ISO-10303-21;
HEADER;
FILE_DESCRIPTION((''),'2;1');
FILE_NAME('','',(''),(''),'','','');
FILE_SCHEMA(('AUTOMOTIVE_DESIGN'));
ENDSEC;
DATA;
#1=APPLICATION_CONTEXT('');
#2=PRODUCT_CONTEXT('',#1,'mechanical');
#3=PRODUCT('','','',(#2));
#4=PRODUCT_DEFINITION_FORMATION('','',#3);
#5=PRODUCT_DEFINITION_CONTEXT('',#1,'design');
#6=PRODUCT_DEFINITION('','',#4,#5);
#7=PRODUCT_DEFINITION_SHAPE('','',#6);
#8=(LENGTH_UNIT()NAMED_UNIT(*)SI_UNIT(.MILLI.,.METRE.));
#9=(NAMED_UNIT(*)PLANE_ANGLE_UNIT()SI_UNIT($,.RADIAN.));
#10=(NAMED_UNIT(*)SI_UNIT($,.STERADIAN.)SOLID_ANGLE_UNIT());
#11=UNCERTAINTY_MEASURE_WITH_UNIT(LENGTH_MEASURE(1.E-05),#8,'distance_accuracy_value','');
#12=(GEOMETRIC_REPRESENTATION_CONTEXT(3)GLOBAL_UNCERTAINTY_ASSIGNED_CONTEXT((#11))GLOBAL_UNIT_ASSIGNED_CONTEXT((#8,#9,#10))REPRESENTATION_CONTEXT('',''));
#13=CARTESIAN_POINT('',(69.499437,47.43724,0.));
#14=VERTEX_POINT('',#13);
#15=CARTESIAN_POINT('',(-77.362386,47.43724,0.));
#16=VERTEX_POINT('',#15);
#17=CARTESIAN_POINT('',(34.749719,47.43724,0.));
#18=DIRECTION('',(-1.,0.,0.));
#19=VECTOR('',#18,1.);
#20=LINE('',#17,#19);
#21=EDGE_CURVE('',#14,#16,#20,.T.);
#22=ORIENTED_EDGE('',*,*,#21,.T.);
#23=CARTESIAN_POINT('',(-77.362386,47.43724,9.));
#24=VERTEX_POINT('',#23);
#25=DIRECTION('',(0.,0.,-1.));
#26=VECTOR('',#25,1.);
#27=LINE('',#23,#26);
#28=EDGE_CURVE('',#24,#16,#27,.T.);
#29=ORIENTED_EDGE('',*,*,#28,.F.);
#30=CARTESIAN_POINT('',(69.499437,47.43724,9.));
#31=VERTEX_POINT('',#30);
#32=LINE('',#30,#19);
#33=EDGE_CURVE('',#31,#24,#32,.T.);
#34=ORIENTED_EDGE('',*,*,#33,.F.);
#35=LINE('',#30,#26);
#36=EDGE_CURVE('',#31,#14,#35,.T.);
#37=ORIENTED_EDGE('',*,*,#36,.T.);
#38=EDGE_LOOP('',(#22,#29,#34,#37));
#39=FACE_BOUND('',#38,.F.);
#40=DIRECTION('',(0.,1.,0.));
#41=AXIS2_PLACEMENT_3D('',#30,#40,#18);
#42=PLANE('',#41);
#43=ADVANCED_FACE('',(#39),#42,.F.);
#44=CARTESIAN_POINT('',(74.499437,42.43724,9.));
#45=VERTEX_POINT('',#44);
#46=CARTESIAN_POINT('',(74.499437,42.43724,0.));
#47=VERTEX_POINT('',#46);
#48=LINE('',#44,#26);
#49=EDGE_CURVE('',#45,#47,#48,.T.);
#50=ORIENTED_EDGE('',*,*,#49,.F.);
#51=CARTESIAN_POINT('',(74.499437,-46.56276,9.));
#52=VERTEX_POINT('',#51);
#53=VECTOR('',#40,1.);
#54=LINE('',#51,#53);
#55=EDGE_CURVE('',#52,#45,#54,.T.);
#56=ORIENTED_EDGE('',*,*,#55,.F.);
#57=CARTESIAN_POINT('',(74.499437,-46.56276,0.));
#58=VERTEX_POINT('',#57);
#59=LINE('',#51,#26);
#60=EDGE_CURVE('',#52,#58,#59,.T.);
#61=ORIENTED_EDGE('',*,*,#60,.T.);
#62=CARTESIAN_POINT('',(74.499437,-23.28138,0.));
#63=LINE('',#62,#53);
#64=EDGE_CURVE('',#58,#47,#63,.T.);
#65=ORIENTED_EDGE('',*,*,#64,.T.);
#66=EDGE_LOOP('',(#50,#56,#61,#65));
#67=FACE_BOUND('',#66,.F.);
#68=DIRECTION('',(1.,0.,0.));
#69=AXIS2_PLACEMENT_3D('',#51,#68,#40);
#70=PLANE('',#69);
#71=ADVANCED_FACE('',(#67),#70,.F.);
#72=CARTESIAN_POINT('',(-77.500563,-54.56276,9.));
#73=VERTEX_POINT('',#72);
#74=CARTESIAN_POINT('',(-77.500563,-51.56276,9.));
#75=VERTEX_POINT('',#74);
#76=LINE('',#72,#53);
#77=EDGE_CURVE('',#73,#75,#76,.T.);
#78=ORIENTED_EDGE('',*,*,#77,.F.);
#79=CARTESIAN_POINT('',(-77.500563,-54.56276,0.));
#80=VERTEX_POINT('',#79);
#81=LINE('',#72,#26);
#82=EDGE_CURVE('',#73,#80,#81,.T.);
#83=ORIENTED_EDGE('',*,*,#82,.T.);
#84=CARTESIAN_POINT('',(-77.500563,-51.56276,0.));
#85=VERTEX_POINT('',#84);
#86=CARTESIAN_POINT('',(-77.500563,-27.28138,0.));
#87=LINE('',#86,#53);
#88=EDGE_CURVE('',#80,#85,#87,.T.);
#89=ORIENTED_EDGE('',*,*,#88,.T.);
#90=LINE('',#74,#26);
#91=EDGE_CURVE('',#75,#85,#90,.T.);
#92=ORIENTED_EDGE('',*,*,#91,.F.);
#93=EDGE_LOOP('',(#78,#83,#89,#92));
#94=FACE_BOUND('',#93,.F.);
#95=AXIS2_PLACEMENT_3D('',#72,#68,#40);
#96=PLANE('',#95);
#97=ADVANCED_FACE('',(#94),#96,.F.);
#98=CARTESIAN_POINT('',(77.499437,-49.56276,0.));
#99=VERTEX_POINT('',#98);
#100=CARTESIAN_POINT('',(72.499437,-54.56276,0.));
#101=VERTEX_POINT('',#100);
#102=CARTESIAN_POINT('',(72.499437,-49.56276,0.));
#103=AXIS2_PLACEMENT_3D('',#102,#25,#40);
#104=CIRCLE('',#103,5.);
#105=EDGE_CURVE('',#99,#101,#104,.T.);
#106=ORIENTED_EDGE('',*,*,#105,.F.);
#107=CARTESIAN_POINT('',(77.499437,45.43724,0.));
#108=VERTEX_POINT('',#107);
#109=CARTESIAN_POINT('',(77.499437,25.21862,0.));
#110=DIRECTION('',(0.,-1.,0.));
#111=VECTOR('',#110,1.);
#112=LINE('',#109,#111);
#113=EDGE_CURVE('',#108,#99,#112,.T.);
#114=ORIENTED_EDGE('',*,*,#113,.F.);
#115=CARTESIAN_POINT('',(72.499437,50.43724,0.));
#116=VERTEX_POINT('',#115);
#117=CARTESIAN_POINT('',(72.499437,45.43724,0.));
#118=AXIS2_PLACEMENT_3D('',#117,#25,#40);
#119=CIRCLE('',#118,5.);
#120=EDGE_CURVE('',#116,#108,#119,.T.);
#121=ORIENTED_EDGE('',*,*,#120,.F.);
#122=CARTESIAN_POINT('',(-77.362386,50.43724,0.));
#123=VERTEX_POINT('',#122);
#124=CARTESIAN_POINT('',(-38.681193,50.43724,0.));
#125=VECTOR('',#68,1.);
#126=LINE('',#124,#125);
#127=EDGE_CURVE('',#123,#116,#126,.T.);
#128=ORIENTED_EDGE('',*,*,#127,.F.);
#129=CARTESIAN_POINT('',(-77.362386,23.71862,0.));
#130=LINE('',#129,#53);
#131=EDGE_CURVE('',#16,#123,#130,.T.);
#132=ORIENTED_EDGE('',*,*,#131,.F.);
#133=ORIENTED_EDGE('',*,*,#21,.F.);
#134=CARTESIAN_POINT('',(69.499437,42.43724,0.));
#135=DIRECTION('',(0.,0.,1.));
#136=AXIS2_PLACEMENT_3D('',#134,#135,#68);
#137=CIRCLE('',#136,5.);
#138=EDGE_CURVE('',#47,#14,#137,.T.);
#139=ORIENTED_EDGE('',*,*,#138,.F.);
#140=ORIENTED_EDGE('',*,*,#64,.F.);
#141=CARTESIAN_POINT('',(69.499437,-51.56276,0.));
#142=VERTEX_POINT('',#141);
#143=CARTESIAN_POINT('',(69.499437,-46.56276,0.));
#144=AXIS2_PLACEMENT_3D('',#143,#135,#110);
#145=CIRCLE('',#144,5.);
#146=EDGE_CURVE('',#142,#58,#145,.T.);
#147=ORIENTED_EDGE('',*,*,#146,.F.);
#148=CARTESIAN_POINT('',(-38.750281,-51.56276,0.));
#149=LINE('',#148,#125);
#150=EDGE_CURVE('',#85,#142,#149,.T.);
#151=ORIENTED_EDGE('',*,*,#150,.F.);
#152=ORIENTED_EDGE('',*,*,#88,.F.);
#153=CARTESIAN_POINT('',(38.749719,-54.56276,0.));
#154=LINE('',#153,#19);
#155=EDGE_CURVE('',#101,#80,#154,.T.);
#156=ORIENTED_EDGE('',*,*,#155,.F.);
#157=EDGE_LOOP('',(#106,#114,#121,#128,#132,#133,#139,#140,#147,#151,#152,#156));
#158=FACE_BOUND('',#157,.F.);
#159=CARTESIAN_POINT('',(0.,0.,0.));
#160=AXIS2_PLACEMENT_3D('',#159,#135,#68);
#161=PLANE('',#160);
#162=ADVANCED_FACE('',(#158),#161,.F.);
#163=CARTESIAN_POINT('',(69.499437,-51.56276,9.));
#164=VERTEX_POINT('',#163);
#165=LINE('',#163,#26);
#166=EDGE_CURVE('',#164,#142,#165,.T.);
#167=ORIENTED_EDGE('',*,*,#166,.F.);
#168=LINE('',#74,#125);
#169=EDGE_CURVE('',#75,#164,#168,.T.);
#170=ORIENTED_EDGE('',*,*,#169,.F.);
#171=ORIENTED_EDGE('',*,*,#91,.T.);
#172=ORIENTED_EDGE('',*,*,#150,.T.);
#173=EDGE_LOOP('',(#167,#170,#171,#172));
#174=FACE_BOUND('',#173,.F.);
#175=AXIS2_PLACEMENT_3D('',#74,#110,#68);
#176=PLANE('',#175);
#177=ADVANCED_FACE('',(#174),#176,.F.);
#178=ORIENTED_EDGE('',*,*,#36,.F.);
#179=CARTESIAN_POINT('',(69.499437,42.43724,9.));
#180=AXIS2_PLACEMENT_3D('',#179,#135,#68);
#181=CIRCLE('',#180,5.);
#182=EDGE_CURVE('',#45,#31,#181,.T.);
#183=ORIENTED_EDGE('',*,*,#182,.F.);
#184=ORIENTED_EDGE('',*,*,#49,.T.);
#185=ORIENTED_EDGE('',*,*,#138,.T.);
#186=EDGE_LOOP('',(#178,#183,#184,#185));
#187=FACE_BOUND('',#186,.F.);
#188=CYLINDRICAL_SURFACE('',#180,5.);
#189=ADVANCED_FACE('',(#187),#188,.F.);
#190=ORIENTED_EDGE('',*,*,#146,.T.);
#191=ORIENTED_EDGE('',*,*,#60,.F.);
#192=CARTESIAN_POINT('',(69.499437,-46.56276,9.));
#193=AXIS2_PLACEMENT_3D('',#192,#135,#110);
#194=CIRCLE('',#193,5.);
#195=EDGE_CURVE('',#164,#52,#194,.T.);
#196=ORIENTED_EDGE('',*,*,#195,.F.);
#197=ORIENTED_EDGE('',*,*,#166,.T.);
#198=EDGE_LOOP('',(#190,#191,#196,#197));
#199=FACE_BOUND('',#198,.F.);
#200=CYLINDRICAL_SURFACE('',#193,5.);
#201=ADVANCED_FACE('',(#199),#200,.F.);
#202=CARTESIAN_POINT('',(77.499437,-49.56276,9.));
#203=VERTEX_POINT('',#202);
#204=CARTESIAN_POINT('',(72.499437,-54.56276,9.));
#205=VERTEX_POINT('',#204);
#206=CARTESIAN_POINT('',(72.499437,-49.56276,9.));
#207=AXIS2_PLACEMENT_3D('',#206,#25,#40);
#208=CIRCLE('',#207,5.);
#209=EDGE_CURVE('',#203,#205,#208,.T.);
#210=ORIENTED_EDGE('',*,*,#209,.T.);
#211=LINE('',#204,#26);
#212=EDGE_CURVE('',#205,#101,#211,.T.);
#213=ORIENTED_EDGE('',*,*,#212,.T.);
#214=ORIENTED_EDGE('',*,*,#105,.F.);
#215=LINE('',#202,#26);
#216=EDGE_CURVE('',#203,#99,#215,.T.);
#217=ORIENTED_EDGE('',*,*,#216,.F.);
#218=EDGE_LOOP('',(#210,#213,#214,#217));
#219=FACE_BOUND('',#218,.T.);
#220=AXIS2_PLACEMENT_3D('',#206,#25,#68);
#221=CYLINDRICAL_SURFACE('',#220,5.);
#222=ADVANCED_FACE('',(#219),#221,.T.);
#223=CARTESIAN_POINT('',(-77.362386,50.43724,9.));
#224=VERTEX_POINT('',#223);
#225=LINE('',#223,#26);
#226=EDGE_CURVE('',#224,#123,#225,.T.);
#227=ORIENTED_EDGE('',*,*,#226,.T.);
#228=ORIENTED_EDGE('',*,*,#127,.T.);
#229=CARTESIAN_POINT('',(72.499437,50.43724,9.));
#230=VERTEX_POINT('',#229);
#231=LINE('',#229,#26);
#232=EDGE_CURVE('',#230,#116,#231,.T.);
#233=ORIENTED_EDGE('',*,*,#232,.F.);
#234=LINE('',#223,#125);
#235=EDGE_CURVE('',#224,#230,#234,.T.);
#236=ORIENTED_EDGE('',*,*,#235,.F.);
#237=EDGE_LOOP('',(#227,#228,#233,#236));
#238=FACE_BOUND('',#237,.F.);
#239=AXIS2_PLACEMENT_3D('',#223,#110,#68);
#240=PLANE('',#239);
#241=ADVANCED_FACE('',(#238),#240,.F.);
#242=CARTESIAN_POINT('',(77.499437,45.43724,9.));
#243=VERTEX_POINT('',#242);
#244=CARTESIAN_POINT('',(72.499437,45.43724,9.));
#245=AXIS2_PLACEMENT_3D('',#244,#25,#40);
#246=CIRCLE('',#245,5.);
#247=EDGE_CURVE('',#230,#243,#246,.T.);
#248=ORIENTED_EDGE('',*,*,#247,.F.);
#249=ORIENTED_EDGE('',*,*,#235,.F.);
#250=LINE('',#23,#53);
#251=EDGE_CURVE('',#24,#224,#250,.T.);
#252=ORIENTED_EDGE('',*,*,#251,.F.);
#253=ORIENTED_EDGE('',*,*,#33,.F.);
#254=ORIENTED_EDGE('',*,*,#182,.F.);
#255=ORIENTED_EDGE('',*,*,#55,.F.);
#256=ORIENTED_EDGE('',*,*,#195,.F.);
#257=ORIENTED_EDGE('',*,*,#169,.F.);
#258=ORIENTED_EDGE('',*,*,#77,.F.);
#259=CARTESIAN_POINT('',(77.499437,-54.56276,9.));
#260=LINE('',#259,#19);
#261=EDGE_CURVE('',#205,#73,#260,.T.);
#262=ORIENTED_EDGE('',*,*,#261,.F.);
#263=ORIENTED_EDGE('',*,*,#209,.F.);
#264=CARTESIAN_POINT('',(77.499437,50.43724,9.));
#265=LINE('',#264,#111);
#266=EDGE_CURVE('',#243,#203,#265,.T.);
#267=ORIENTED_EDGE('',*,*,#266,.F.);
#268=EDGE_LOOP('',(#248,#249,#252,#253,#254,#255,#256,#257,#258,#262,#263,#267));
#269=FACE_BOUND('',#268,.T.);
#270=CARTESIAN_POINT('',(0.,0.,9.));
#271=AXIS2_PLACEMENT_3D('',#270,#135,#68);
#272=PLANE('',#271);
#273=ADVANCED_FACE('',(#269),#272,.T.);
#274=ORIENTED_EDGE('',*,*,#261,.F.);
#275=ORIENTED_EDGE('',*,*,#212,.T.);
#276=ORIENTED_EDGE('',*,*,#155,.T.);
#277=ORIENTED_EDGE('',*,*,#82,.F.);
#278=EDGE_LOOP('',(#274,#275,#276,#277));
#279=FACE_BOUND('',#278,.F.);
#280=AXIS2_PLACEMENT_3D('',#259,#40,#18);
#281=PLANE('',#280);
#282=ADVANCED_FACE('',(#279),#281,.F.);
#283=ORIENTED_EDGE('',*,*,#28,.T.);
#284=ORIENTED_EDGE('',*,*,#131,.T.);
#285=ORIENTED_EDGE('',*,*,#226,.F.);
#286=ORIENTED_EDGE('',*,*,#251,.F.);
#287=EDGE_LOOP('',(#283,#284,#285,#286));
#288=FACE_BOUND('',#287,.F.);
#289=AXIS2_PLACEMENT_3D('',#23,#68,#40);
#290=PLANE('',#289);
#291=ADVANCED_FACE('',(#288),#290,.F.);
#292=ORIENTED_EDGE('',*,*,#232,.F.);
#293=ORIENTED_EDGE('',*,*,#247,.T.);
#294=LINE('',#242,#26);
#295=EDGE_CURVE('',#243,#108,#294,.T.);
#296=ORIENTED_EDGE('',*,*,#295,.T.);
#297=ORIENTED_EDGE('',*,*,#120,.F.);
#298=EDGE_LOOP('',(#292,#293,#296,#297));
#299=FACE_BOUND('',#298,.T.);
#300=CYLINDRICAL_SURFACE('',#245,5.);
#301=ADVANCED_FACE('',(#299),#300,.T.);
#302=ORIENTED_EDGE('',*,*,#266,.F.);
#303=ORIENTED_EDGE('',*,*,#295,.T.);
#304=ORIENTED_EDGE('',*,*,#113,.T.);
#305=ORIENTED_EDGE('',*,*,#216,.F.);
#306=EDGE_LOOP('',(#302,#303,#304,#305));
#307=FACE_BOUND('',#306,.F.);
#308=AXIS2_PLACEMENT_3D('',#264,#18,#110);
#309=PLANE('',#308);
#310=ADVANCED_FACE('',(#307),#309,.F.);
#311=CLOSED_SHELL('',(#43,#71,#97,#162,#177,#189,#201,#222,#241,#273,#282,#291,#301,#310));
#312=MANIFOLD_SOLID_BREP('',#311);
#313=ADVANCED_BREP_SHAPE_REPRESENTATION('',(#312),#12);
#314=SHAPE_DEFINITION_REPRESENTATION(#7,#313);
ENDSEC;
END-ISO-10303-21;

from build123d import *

# Parameters (mm, degrees)
F0_W     = 200
F0_H     = 150
F1_DEPTH = 9
F2_W     = 10
F2_H     = 12.5
F3_DEPTH = 25
F4_R     = 5


with BuildPart() as f1:
    # F0 (on Top) → F1 (new body)
    with BuildSketch(Plane.XY):
        Rectangle(F0_W, F0_H)
    extrude(amount=F1_DEPTH)

    # F2 (on face) → F3 (cut)
    with BuildSketch(Plane.XY.offset(9)):
        Polygon((87.4994372893, -64.5627596692), (87.4994372893, 60.4372403308), (-87.5005627107, 60.4372403308), (-87.5005627107, 34.7239444211), (-41.0005627107, 34.7239444211), (-33.5005627107, 34.7239444211), (-33.5005627107, 26.7239444211), (-38.5005627107, 26.7239444211), (-38.5005627107, 29.7239444211), (-46.0005627107, 29.7239444211), (-87.5005627107, 29.7239444211), (-87.5005627107, 2.7372403308), (-92.5005627107, -0.2627596692), (-100, -0.2627596692), (-100, -3.8627596692), (-92.5005627107, -3.8627596692), (-87.5005627107, -6.8627596692), (-87.5005627107, -33.2760555789), (-38.5005627107, -33.2760555789), (-38.5005627107, -30.2760555789), (-33.5005627107, -30.2760555789), (-33.5005627107, -38.2760555789), (-41.0005627107, -38.2760555789), (-46.0005627107, -38.2760555789), (-87.5005627107, -38.2760555789), (-87.5005627107, -64.5627596692), (-77.5005627107, -64.5627596692), align=None)
        with BuildLine():
            Line((-77.3623862099, 50.4372403308), (-74.3623862099, 50.4372403308))
            Line((-74.3623862099, 50.4372403308), (60.6376137901, 50.4372403308))
            Line((60.6376137901, 50.4372403308), (74.4994372893, 50.4372403308))
            Line((74.4994372893, 50.4372403308), (77.4994372893, 50.4372403308))
            Line((77.4994372893, 50.4372403308), (77.4994372893, 47.4372403308))
            Line((77.4994372893, 47.4372403308), (77.4994372893, -54.5627596692))
            Line((77.4994372893, -54.5627596692), (60.6376137901, -54.5627596692))
            Line((60.6376137901, -54.5627596692), (-77.5005627107, -54.5627596692))
            Line((-77.5005627107, -54.5627596692), (-77.5005627107, -51.5627596692))
            Line((-77.5005627107, -51.5627596692), (60.6376137901, -51.5627596692))
            Line((60.6376137901, -51.5627596692), (69.4994372893, -51.5627596692))
            ThreePointArc((69.4994372893, -51.5627596692), (73.0349711952, -50.0982935751), (74.4994372893, -46.5627596692))
            Line((74.4994372893, -46.5627596692), (74.4994372893, 42.4372403308))
            ThreePointArc((74.4994372893, 42.4372403308), (73.0349711952, 45.9727742368), (69.4994372893, 47.4372403308))
            Line((69.4994372893, 47.4372403308), (60.6376137901, 47.4372403308))
            Line((60.6376137901, 47.4372403308), (57.6376137901, 47.4372403308))
            Line((57.6376137901, 47.4372403308), (-74.3623862099, 47.4372403308))
            Line((-74.3623862099, 47.4372403308), (-77.3623862099, 47.4372403308))
            Line((-77.3623862099, 47.4372403308), (-77.3623862099, 50.4372403308))
        make_face(mode=Mode.SUBTRACT)
        Polygon((39.9994372893, -27.0627596692), (39.9994372893, -2.0627596692), (39.9994372893, 22.9372403308), (39.9994372893, 35.4372403308), (49.9994372893, 35.4372403308), (49.9994372893, 22.9372403308), (49.9994372893, -27.0627596692), (49.9994372893, -39.5627596692), (39.9994372893, -39.5627596692), align=None, mode=Mode.SUBTRACT)
        Polygon((39.9994372893, 22.9372403308), (39.9994372893, -2.0627596692), (39.9994372893, -27.0627596692), (49.9994372893, -27.0627596692), (49.9994372893, 22.9372403308), align=None)
        with Locations((44.9994372893, 29.1872403308)):
            Rectangle(F2_W, F2_H)
        with Locations((44.9994372893, -33.3127596692)):
            Rectangle(F2_W, F2_H)
        Polygon((-87.5005627107, 60.4372403308), (87.4994372893, 60.4372403308), (87.4994372893, -64.5627596692), (-77.5005627107, -64.5627596692), (-87.5005627107, -64.5627596692), (-87.5005627107, -38.2760555789), (-46.0005627107, -38.2760555789), (-41.0005627107, -38.2760555789), (-33.5005627107, -38.2760555789), (-33.5005627107, -30.2760555789), (-38.5005627107, -30.2760555789), (-38.5005627107, -33.2760555789), (-87.5005627107, -33.2760555789), (-87.5005627107, -6.8627596692), (-92.5005627107, -3.8627596692), (-100, -3.8627596692), (-100, -75), (100, -75), (100, 75), (-100, 75), (-100, -0.2627596692), (-92.5005627107, -0.2627596692), (-87.5005627107, 2.7372403308), (-87.5005627107, 29.7239444211), (-46.0005627107, 29.7239444211), (-38.5005627107, 29.7239444211), (-38.5005627107, 26.7239444211), (-33.5005627107, 26.7239444211), (-33.5005627107, 34.7239444211), (-41.0005627107, 34.7239444211), (-87.5005627107, 34.7239444211), align=None)
    extrude(amount=-F3_DEPTH, mode=Mode.SUBTRACT)

    # F4
    f4_edges = [f1.edges().sort_by_distance(p)[0] for p in [
        (77.499437, 50.43724, 4.5),
        (77.499437, -54.56276, 4.5),
    ]]
    fillet(f4_edges, radius=F4_R)


solid = f1.part
